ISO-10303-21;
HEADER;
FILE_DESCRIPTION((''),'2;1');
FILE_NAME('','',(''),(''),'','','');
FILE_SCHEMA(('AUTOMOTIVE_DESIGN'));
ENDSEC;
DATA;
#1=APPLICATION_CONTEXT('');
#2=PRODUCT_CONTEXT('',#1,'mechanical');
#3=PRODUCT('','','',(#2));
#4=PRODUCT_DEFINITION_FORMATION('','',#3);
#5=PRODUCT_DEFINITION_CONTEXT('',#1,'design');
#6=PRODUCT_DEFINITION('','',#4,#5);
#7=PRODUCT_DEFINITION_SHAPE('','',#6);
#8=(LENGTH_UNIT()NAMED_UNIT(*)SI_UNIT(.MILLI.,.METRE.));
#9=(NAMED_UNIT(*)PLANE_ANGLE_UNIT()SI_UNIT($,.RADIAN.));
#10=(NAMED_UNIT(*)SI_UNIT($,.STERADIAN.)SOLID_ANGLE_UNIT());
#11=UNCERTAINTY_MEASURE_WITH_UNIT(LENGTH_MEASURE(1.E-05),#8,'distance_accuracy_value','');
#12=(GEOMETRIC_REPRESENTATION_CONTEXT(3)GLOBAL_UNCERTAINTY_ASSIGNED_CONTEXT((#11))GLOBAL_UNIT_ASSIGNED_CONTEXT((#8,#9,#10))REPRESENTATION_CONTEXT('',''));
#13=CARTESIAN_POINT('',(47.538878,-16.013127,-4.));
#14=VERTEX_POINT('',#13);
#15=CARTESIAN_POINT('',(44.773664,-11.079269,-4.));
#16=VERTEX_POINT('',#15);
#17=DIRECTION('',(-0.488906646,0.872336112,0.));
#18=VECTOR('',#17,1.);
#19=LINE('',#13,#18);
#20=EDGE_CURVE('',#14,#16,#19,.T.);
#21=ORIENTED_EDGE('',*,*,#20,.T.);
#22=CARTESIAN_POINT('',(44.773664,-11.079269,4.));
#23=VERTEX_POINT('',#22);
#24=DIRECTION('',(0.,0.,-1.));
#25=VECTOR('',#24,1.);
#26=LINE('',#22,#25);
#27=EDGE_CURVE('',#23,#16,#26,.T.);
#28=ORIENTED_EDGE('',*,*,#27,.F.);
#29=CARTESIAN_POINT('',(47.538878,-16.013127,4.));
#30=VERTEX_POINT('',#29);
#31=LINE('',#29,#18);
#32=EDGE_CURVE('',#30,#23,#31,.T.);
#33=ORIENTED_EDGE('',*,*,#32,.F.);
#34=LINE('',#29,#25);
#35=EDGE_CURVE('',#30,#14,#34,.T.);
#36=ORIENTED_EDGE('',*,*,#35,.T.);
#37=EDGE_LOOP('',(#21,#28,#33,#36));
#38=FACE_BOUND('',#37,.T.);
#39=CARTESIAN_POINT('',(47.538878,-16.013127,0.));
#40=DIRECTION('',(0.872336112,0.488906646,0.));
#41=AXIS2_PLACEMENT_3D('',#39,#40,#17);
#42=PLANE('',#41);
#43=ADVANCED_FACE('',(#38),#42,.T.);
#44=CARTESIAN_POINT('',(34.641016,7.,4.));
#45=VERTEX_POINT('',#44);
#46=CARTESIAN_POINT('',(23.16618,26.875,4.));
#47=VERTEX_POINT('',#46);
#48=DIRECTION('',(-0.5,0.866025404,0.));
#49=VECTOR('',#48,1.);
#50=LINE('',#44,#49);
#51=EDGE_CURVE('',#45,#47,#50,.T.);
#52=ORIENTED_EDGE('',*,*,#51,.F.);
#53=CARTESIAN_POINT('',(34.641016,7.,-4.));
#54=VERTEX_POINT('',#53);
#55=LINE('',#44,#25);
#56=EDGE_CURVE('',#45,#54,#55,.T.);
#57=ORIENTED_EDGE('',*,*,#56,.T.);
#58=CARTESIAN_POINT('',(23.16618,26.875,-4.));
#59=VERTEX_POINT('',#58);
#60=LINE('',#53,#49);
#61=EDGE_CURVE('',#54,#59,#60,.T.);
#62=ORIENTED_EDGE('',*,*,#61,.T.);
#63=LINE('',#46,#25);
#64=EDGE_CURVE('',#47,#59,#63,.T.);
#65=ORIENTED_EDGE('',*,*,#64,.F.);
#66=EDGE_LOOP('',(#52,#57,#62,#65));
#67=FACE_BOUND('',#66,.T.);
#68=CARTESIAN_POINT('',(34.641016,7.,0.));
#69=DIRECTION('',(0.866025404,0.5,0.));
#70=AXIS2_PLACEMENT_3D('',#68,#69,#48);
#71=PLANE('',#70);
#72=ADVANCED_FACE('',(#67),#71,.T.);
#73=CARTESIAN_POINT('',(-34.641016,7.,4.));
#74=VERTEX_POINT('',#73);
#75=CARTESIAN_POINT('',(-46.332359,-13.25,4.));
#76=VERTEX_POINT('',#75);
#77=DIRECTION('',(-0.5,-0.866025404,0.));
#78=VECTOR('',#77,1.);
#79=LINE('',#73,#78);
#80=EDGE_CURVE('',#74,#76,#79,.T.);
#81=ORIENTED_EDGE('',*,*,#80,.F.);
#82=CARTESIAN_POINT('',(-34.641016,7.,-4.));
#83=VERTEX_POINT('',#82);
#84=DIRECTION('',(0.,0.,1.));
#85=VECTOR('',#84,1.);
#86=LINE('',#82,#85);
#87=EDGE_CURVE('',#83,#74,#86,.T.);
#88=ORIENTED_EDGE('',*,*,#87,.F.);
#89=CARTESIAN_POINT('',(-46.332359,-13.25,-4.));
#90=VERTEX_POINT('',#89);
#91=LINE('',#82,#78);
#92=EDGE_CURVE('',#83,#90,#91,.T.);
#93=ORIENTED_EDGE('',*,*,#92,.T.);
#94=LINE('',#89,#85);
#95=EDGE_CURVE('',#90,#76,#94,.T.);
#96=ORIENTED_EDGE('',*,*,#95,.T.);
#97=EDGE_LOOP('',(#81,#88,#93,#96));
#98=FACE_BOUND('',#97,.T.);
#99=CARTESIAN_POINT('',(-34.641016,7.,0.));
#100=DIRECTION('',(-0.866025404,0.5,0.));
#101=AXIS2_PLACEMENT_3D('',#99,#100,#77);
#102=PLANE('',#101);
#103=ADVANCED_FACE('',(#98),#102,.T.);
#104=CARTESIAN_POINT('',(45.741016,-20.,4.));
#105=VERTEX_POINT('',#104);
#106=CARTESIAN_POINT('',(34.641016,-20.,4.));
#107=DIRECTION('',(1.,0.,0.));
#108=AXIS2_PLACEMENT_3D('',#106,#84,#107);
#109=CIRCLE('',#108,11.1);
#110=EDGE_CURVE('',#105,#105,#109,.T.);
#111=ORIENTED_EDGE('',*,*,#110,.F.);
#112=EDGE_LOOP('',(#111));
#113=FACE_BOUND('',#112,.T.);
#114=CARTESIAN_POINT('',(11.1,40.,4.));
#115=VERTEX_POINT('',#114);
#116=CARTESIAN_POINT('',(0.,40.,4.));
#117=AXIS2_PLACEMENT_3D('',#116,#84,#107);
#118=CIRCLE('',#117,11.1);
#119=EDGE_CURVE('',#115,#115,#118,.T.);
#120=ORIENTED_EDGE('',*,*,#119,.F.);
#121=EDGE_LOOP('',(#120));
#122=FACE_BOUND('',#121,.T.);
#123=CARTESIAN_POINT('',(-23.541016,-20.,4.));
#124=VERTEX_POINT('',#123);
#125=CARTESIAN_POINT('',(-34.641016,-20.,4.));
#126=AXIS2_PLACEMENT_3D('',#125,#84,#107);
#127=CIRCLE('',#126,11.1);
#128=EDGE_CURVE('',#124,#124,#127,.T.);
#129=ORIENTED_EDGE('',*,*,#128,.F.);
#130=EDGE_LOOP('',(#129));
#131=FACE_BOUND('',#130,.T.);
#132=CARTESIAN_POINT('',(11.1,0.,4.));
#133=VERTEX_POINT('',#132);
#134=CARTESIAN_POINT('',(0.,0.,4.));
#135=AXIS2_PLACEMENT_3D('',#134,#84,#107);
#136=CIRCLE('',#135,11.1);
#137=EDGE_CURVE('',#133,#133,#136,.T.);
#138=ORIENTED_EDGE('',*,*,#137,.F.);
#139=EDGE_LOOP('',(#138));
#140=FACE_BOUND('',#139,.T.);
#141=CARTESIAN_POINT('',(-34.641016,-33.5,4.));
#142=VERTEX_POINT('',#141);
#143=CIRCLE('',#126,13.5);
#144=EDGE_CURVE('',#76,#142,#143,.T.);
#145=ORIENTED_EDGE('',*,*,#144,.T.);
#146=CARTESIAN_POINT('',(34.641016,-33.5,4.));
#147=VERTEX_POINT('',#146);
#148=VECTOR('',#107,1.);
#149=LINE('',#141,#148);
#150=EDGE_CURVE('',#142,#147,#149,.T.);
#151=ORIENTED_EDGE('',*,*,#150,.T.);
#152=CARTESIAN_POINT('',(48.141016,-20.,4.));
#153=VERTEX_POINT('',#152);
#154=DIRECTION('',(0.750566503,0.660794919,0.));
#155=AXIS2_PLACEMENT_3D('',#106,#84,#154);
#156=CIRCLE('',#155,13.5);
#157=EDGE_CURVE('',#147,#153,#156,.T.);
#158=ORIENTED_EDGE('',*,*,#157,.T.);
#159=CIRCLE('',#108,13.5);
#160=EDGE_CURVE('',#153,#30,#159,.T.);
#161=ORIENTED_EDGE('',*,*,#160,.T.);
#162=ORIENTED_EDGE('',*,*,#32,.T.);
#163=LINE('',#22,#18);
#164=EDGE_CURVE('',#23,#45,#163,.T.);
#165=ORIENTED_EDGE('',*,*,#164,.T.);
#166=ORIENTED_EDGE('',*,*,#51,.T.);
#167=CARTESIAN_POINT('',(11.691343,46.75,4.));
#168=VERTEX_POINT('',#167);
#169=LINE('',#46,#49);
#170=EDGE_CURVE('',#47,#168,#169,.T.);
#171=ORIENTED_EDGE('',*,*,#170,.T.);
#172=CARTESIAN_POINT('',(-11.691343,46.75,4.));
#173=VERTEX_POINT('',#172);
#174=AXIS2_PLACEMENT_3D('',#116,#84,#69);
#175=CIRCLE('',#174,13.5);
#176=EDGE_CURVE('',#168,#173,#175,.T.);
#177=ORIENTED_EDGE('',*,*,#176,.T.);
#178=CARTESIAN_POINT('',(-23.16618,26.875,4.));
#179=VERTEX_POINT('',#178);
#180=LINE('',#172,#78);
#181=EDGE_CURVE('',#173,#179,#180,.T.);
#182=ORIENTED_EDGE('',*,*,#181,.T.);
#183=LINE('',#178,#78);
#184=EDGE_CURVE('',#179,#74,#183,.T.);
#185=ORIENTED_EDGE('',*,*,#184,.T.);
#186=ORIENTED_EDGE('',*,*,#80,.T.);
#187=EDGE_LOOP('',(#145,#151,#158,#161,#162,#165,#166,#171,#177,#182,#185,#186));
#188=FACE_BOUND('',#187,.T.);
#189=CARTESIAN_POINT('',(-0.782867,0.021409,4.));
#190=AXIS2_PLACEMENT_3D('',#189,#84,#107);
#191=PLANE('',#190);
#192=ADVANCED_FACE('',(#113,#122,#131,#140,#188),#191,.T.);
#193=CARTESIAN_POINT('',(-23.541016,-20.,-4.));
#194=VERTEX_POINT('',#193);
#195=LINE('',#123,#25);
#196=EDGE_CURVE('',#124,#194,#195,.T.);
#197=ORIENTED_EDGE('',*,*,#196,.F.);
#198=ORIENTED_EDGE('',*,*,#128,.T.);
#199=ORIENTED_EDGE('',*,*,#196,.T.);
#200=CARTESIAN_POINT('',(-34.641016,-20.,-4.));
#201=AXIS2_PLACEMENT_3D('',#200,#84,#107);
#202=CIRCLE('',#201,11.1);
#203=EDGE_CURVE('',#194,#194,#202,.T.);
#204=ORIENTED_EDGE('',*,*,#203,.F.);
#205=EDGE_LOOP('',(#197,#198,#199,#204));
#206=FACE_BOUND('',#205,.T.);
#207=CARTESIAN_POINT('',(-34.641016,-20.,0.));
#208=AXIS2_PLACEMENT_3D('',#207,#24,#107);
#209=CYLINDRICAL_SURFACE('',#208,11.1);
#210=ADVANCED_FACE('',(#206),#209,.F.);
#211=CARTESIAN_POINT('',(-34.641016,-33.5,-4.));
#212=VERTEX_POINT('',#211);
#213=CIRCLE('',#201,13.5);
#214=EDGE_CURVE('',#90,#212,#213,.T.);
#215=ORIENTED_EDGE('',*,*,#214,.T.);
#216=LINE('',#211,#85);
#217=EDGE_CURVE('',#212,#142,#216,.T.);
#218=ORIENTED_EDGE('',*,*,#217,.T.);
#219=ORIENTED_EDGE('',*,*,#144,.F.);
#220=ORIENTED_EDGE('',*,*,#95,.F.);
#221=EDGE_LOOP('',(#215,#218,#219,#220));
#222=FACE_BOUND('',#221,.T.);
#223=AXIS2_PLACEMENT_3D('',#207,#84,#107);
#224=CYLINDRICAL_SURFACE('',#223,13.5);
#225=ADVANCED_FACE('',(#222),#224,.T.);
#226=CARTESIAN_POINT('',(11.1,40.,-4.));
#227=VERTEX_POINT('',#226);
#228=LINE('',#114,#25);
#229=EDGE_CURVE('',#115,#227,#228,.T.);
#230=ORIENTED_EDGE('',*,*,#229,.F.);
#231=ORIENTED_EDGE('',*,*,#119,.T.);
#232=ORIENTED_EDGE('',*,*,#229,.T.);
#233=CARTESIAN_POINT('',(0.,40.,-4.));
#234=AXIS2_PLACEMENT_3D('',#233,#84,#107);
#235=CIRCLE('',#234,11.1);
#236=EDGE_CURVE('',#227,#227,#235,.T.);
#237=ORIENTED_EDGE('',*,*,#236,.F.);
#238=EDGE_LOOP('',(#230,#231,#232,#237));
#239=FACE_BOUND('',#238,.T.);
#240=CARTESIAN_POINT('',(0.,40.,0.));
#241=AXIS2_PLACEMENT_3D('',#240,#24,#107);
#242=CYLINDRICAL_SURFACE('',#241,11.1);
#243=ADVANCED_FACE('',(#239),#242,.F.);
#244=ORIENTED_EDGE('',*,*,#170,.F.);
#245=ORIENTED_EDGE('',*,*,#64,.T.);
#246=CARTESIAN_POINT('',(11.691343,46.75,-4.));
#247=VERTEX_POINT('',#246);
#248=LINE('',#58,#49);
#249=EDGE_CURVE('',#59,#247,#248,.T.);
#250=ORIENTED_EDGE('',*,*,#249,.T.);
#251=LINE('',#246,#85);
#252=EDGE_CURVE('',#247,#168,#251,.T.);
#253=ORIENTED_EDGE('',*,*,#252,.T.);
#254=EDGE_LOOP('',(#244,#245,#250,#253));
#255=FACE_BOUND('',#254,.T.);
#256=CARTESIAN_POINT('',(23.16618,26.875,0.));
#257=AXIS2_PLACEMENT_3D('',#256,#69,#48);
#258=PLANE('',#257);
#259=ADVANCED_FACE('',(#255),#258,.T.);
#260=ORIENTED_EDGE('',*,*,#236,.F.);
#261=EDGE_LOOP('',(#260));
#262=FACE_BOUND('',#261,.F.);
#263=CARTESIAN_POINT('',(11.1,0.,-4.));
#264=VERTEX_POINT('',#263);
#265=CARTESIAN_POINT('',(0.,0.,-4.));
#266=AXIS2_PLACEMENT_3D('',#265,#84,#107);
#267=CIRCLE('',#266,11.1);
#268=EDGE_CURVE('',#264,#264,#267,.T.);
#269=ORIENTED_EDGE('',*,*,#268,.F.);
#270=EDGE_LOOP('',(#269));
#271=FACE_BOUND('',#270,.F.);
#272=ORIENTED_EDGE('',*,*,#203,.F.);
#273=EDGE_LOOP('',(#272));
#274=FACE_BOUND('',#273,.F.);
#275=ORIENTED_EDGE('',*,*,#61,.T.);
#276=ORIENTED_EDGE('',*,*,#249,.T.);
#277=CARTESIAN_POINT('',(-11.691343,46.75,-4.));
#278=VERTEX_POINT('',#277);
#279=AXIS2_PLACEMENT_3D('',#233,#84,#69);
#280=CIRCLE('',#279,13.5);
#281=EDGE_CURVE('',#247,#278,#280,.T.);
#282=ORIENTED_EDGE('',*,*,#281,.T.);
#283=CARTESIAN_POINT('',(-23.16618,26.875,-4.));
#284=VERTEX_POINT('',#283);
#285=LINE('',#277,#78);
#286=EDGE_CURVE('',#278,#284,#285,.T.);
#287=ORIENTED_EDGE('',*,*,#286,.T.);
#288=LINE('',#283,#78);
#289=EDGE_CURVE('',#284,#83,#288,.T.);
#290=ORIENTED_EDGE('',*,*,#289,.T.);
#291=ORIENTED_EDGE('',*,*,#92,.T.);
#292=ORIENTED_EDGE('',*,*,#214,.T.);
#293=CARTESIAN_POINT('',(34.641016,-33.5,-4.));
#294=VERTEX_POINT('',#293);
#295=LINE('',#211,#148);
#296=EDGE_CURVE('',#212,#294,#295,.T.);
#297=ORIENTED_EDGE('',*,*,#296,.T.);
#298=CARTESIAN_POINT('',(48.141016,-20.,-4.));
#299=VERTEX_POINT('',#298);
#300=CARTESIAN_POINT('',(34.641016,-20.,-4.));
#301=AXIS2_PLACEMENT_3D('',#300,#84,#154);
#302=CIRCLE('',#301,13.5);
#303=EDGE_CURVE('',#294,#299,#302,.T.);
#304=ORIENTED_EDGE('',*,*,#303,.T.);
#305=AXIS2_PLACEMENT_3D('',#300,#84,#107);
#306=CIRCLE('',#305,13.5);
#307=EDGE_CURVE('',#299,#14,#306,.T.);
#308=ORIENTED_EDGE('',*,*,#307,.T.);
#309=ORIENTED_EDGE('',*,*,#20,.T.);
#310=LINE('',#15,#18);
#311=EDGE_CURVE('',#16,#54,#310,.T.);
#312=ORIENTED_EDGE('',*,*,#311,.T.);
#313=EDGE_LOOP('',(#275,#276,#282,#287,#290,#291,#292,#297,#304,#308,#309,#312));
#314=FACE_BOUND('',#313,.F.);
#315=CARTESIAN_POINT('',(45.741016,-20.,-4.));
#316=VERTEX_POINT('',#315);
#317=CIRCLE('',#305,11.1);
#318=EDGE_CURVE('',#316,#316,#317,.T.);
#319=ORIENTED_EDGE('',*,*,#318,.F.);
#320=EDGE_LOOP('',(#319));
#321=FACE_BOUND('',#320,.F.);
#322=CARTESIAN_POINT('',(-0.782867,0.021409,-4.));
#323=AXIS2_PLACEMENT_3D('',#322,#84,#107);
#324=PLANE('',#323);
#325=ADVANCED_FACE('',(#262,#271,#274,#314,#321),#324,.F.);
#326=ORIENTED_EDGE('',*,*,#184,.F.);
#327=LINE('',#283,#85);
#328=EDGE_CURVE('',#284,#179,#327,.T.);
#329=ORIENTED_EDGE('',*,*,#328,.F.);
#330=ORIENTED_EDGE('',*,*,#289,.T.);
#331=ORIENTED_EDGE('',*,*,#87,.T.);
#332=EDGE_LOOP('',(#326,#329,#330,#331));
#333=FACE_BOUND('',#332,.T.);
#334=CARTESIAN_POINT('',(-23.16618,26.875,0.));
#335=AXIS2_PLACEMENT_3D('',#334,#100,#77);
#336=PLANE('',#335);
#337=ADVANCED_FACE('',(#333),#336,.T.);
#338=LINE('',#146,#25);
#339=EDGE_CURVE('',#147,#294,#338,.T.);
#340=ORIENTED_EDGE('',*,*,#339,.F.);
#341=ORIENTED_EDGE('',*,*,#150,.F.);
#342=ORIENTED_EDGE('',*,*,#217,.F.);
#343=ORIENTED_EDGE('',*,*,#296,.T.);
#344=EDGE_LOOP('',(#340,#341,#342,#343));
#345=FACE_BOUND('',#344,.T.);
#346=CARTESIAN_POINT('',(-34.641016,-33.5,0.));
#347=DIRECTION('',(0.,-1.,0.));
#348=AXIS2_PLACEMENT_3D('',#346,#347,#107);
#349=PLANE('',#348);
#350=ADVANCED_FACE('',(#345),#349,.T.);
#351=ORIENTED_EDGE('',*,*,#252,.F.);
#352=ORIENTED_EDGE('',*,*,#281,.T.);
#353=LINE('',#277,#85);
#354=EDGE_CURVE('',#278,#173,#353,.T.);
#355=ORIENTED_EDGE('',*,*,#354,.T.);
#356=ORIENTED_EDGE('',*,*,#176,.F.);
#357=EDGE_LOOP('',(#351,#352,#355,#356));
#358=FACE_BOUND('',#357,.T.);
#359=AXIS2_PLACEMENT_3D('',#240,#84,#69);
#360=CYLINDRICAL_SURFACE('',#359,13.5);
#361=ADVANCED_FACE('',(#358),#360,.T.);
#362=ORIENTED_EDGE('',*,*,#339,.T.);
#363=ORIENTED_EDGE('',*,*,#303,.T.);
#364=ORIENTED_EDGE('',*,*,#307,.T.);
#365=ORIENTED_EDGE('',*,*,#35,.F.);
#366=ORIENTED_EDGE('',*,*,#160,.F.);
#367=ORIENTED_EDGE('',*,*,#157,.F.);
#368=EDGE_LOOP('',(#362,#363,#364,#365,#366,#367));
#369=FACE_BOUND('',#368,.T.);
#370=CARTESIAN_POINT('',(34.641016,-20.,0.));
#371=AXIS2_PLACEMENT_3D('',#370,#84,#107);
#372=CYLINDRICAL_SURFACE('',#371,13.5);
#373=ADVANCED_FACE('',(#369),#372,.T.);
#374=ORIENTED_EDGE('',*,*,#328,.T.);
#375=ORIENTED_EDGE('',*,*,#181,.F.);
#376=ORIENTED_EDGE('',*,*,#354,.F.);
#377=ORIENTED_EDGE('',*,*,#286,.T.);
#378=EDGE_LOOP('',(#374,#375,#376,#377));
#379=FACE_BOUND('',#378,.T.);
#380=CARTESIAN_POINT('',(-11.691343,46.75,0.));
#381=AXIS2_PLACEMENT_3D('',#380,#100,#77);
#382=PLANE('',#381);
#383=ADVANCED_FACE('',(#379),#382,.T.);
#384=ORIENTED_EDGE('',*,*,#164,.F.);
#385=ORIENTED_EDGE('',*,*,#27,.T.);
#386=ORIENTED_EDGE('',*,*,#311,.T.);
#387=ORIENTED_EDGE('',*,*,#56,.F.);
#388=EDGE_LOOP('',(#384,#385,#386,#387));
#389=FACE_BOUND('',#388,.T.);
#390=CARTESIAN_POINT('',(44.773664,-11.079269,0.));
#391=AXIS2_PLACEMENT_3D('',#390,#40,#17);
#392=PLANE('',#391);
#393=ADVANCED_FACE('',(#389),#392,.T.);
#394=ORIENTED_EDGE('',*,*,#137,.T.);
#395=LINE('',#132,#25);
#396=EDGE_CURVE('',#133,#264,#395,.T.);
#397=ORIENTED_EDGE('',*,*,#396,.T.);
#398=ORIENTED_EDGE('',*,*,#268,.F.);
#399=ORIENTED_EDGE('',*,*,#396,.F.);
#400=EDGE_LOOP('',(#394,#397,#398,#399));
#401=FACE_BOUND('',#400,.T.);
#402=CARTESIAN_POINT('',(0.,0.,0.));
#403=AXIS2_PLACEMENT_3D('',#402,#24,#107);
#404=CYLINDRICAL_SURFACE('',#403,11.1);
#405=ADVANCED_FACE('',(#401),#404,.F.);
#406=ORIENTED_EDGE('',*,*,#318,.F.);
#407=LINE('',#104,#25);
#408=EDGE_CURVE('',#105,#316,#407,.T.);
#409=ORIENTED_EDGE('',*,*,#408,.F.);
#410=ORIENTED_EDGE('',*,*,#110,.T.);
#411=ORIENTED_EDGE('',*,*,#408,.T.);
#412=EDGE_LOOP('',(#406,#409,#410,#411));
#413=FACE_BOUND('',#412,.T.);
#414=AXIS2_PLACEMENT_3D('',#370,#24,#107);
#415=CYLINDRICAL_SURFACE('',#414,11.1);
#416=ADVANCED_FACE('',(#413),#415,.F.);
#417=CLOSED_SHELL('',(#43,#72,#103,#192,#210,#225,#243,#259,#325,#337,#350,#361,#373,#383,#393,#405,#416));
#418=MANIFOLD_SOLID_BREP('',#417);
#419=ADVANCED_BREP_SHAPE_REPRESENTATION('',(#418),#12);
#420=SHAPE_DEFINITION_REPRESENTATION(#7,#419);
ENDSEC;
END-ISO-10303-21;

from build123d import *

# Parameters (mm, degrees)
F1_R     = 13
F2_DEPTH = 4
F0_R     = 13.5
F0_R_2   = 11.1
F3_DEPTH = 4


with BuildPart() as f2:
    # F1 (on Top) → F2 (new body, symmetric)
    with BuildSketch(Plane.XY):
        with BuildLine():
            Line((-18.5, 4.9074772881), (-42.2068053795, -8.7796531794))
            ThreePointArc((-42.2068053795, -8.7796531794), (-23.7654624284, -13.7209961304), (-28.7068053795, -32.1623390815))
            Line((-28.7068053795, -32.1623390815), (-5, -18.4752086141))
            ThreePointArc((-5, -18.4752086141), (0, -17.1354626519), (5, -18.4752086141))
            Line((5, -18.4752086141), (29.0423372789, -32.356058514))
            ThreePointArc((29.0423372789, -32.356058514), (24.1540880228, -14.0237663858), (42.4982086314, -9.180094787))
            Line((42.4982086314, -9.180094787), (18.4579555046, 4.8558277649))
            ThreePointArc((18.4579555046, 4.8558277649), (14.8276172549, 8.5127375657), (13.5, 13.4916709378))
            Line((13.5, 13.4916709378), (13.5, 40.1839444775))
            ThreePointArc((13.5, 40.1839444775), (0, 26.6839444775), (-13.5, 40.1839444775))
            Line((-13.5, 40.1839444775), (-13.5, 13.567731326))
            ThreePointArc((-13.5, 13.567731326), (-14.8397459622, 8.567731326), (-18.5, 4.9074772881))
        make_face()
        Circle(F1_R, mode=Mode.SUBTRACT)
    extrude(amount=F2_DEPTH, both=True)

    # F0 (on Top) → F3 (join, symmetric)
    with BuildSketch(Plane.XY):
        with BuildLine():
            ThreePointArc((11.6913429511, 46.75), (13.0399986549, 43.4940571089), (13.5, 40))
            ThreePointArc((13.5, 40), (-3.4940571089, 26.9600013451), (-11.6913429511, 46.75))
            Line((-11.6913429511, 46.75), (-23.1661795512, 26.875))
            Line((-23.1661795512, 26.875), (-34.6410161514, 7))
            Line((-34.6410161514, 7), (-46.3323591025, -13.25))
            ThreePointArc((-46.3323591025, -13.25), (-31.1469590425, -6.9600013451), (-21.1410161514, -20))
            ThreePointArc((-21.1410161514, -20), (-25.0950746054, -29.545941546), (-34.6410161514, -33.5))
            Line((-34.6410161514, -33.5), (-11.2583302492, -33.5))
            Line((-11.2583302492, -33.5), (11.6913429511, -33.5))
            Line((11.6913429511, -33.5), (34.6410161514, -33.5))
            ThreePointArc((34.6410161514, -33.5), (22.3389863603, -14.4403180828), (44.7736639401, -11.0792685956))
            Line((44.7736639401, -11.0792685956), (34.6410161514, 7))
            Line((34.6410161514, 7), (23.1661795512, 26.875))
            Line((23.1661795512, 26.875), (11.6913429511, 46.75))
        make_face()
        Circle(F0_R, mode=Mode.SUBTRACT)
        with BuildLine():
            ThreePointArc((-11.6913429511, 46.75), (-3.4940571089, 26.9600013451), (13.5, 40))
            ThreePointArc((13.5, 40), (13.0399986549, 43.4940571089), (11.6913429511, 46.75))
            ThreePointArc((11.6913429511, 46.75), (0, 53.5), (-11.6913429511, 46.75))
        make_face()
        with Locations((0, 40)):
            Circle(F0_R_2, mode=Mode.SUBTRACT)
        with BuildLine():
            ThreePointArc((-21.1410161514, -20), (-31.1469590425, -6.9600013451), (-46.3323591025, -13.25))
            ThreePointArc((-46.3323591025, -13.25), (-46.3323591025, -26.75), (-34.6410161514, -33.5))
            ThreePointArc((-34.6410161514, -33.5), (-25.0950746054, -29.545941546), (-21.1410161514, -20))
        make_face()
        with Locations((-34.6410161514, -20)):
            Circle(F0_R_2, mode=Mode.SUBTRACT)
        Circle(F0_R)
        Circle(F0_R_2, mode=Mode.SUBTRACT)
        with BuildLine():
            Line((47.538878177, -16.0131271444), (44.7736639401, -11.0792685956))
            ThreePointArc((44.7736639401, -11.0792685956), (22.3389863603, -14.4403180828), (34.6410161514, -33.5))
            ThreePointArc((34.6410161514, -33.5), (44.1869576974, -29.545941546), (48.1410161514, -20))
            ThreePointArc((48.1410161514, -20), (47.989632884, -17.9839565166), (47.538878177, -16.0131271444))
        make_face()
        with Locations((34.6410161514, -20)):
            Circle(F0_R_2, mode=Mode.SUBTRACT)
    extrude(amount=F3_DEPTH, both=True)


solid = f2.part
